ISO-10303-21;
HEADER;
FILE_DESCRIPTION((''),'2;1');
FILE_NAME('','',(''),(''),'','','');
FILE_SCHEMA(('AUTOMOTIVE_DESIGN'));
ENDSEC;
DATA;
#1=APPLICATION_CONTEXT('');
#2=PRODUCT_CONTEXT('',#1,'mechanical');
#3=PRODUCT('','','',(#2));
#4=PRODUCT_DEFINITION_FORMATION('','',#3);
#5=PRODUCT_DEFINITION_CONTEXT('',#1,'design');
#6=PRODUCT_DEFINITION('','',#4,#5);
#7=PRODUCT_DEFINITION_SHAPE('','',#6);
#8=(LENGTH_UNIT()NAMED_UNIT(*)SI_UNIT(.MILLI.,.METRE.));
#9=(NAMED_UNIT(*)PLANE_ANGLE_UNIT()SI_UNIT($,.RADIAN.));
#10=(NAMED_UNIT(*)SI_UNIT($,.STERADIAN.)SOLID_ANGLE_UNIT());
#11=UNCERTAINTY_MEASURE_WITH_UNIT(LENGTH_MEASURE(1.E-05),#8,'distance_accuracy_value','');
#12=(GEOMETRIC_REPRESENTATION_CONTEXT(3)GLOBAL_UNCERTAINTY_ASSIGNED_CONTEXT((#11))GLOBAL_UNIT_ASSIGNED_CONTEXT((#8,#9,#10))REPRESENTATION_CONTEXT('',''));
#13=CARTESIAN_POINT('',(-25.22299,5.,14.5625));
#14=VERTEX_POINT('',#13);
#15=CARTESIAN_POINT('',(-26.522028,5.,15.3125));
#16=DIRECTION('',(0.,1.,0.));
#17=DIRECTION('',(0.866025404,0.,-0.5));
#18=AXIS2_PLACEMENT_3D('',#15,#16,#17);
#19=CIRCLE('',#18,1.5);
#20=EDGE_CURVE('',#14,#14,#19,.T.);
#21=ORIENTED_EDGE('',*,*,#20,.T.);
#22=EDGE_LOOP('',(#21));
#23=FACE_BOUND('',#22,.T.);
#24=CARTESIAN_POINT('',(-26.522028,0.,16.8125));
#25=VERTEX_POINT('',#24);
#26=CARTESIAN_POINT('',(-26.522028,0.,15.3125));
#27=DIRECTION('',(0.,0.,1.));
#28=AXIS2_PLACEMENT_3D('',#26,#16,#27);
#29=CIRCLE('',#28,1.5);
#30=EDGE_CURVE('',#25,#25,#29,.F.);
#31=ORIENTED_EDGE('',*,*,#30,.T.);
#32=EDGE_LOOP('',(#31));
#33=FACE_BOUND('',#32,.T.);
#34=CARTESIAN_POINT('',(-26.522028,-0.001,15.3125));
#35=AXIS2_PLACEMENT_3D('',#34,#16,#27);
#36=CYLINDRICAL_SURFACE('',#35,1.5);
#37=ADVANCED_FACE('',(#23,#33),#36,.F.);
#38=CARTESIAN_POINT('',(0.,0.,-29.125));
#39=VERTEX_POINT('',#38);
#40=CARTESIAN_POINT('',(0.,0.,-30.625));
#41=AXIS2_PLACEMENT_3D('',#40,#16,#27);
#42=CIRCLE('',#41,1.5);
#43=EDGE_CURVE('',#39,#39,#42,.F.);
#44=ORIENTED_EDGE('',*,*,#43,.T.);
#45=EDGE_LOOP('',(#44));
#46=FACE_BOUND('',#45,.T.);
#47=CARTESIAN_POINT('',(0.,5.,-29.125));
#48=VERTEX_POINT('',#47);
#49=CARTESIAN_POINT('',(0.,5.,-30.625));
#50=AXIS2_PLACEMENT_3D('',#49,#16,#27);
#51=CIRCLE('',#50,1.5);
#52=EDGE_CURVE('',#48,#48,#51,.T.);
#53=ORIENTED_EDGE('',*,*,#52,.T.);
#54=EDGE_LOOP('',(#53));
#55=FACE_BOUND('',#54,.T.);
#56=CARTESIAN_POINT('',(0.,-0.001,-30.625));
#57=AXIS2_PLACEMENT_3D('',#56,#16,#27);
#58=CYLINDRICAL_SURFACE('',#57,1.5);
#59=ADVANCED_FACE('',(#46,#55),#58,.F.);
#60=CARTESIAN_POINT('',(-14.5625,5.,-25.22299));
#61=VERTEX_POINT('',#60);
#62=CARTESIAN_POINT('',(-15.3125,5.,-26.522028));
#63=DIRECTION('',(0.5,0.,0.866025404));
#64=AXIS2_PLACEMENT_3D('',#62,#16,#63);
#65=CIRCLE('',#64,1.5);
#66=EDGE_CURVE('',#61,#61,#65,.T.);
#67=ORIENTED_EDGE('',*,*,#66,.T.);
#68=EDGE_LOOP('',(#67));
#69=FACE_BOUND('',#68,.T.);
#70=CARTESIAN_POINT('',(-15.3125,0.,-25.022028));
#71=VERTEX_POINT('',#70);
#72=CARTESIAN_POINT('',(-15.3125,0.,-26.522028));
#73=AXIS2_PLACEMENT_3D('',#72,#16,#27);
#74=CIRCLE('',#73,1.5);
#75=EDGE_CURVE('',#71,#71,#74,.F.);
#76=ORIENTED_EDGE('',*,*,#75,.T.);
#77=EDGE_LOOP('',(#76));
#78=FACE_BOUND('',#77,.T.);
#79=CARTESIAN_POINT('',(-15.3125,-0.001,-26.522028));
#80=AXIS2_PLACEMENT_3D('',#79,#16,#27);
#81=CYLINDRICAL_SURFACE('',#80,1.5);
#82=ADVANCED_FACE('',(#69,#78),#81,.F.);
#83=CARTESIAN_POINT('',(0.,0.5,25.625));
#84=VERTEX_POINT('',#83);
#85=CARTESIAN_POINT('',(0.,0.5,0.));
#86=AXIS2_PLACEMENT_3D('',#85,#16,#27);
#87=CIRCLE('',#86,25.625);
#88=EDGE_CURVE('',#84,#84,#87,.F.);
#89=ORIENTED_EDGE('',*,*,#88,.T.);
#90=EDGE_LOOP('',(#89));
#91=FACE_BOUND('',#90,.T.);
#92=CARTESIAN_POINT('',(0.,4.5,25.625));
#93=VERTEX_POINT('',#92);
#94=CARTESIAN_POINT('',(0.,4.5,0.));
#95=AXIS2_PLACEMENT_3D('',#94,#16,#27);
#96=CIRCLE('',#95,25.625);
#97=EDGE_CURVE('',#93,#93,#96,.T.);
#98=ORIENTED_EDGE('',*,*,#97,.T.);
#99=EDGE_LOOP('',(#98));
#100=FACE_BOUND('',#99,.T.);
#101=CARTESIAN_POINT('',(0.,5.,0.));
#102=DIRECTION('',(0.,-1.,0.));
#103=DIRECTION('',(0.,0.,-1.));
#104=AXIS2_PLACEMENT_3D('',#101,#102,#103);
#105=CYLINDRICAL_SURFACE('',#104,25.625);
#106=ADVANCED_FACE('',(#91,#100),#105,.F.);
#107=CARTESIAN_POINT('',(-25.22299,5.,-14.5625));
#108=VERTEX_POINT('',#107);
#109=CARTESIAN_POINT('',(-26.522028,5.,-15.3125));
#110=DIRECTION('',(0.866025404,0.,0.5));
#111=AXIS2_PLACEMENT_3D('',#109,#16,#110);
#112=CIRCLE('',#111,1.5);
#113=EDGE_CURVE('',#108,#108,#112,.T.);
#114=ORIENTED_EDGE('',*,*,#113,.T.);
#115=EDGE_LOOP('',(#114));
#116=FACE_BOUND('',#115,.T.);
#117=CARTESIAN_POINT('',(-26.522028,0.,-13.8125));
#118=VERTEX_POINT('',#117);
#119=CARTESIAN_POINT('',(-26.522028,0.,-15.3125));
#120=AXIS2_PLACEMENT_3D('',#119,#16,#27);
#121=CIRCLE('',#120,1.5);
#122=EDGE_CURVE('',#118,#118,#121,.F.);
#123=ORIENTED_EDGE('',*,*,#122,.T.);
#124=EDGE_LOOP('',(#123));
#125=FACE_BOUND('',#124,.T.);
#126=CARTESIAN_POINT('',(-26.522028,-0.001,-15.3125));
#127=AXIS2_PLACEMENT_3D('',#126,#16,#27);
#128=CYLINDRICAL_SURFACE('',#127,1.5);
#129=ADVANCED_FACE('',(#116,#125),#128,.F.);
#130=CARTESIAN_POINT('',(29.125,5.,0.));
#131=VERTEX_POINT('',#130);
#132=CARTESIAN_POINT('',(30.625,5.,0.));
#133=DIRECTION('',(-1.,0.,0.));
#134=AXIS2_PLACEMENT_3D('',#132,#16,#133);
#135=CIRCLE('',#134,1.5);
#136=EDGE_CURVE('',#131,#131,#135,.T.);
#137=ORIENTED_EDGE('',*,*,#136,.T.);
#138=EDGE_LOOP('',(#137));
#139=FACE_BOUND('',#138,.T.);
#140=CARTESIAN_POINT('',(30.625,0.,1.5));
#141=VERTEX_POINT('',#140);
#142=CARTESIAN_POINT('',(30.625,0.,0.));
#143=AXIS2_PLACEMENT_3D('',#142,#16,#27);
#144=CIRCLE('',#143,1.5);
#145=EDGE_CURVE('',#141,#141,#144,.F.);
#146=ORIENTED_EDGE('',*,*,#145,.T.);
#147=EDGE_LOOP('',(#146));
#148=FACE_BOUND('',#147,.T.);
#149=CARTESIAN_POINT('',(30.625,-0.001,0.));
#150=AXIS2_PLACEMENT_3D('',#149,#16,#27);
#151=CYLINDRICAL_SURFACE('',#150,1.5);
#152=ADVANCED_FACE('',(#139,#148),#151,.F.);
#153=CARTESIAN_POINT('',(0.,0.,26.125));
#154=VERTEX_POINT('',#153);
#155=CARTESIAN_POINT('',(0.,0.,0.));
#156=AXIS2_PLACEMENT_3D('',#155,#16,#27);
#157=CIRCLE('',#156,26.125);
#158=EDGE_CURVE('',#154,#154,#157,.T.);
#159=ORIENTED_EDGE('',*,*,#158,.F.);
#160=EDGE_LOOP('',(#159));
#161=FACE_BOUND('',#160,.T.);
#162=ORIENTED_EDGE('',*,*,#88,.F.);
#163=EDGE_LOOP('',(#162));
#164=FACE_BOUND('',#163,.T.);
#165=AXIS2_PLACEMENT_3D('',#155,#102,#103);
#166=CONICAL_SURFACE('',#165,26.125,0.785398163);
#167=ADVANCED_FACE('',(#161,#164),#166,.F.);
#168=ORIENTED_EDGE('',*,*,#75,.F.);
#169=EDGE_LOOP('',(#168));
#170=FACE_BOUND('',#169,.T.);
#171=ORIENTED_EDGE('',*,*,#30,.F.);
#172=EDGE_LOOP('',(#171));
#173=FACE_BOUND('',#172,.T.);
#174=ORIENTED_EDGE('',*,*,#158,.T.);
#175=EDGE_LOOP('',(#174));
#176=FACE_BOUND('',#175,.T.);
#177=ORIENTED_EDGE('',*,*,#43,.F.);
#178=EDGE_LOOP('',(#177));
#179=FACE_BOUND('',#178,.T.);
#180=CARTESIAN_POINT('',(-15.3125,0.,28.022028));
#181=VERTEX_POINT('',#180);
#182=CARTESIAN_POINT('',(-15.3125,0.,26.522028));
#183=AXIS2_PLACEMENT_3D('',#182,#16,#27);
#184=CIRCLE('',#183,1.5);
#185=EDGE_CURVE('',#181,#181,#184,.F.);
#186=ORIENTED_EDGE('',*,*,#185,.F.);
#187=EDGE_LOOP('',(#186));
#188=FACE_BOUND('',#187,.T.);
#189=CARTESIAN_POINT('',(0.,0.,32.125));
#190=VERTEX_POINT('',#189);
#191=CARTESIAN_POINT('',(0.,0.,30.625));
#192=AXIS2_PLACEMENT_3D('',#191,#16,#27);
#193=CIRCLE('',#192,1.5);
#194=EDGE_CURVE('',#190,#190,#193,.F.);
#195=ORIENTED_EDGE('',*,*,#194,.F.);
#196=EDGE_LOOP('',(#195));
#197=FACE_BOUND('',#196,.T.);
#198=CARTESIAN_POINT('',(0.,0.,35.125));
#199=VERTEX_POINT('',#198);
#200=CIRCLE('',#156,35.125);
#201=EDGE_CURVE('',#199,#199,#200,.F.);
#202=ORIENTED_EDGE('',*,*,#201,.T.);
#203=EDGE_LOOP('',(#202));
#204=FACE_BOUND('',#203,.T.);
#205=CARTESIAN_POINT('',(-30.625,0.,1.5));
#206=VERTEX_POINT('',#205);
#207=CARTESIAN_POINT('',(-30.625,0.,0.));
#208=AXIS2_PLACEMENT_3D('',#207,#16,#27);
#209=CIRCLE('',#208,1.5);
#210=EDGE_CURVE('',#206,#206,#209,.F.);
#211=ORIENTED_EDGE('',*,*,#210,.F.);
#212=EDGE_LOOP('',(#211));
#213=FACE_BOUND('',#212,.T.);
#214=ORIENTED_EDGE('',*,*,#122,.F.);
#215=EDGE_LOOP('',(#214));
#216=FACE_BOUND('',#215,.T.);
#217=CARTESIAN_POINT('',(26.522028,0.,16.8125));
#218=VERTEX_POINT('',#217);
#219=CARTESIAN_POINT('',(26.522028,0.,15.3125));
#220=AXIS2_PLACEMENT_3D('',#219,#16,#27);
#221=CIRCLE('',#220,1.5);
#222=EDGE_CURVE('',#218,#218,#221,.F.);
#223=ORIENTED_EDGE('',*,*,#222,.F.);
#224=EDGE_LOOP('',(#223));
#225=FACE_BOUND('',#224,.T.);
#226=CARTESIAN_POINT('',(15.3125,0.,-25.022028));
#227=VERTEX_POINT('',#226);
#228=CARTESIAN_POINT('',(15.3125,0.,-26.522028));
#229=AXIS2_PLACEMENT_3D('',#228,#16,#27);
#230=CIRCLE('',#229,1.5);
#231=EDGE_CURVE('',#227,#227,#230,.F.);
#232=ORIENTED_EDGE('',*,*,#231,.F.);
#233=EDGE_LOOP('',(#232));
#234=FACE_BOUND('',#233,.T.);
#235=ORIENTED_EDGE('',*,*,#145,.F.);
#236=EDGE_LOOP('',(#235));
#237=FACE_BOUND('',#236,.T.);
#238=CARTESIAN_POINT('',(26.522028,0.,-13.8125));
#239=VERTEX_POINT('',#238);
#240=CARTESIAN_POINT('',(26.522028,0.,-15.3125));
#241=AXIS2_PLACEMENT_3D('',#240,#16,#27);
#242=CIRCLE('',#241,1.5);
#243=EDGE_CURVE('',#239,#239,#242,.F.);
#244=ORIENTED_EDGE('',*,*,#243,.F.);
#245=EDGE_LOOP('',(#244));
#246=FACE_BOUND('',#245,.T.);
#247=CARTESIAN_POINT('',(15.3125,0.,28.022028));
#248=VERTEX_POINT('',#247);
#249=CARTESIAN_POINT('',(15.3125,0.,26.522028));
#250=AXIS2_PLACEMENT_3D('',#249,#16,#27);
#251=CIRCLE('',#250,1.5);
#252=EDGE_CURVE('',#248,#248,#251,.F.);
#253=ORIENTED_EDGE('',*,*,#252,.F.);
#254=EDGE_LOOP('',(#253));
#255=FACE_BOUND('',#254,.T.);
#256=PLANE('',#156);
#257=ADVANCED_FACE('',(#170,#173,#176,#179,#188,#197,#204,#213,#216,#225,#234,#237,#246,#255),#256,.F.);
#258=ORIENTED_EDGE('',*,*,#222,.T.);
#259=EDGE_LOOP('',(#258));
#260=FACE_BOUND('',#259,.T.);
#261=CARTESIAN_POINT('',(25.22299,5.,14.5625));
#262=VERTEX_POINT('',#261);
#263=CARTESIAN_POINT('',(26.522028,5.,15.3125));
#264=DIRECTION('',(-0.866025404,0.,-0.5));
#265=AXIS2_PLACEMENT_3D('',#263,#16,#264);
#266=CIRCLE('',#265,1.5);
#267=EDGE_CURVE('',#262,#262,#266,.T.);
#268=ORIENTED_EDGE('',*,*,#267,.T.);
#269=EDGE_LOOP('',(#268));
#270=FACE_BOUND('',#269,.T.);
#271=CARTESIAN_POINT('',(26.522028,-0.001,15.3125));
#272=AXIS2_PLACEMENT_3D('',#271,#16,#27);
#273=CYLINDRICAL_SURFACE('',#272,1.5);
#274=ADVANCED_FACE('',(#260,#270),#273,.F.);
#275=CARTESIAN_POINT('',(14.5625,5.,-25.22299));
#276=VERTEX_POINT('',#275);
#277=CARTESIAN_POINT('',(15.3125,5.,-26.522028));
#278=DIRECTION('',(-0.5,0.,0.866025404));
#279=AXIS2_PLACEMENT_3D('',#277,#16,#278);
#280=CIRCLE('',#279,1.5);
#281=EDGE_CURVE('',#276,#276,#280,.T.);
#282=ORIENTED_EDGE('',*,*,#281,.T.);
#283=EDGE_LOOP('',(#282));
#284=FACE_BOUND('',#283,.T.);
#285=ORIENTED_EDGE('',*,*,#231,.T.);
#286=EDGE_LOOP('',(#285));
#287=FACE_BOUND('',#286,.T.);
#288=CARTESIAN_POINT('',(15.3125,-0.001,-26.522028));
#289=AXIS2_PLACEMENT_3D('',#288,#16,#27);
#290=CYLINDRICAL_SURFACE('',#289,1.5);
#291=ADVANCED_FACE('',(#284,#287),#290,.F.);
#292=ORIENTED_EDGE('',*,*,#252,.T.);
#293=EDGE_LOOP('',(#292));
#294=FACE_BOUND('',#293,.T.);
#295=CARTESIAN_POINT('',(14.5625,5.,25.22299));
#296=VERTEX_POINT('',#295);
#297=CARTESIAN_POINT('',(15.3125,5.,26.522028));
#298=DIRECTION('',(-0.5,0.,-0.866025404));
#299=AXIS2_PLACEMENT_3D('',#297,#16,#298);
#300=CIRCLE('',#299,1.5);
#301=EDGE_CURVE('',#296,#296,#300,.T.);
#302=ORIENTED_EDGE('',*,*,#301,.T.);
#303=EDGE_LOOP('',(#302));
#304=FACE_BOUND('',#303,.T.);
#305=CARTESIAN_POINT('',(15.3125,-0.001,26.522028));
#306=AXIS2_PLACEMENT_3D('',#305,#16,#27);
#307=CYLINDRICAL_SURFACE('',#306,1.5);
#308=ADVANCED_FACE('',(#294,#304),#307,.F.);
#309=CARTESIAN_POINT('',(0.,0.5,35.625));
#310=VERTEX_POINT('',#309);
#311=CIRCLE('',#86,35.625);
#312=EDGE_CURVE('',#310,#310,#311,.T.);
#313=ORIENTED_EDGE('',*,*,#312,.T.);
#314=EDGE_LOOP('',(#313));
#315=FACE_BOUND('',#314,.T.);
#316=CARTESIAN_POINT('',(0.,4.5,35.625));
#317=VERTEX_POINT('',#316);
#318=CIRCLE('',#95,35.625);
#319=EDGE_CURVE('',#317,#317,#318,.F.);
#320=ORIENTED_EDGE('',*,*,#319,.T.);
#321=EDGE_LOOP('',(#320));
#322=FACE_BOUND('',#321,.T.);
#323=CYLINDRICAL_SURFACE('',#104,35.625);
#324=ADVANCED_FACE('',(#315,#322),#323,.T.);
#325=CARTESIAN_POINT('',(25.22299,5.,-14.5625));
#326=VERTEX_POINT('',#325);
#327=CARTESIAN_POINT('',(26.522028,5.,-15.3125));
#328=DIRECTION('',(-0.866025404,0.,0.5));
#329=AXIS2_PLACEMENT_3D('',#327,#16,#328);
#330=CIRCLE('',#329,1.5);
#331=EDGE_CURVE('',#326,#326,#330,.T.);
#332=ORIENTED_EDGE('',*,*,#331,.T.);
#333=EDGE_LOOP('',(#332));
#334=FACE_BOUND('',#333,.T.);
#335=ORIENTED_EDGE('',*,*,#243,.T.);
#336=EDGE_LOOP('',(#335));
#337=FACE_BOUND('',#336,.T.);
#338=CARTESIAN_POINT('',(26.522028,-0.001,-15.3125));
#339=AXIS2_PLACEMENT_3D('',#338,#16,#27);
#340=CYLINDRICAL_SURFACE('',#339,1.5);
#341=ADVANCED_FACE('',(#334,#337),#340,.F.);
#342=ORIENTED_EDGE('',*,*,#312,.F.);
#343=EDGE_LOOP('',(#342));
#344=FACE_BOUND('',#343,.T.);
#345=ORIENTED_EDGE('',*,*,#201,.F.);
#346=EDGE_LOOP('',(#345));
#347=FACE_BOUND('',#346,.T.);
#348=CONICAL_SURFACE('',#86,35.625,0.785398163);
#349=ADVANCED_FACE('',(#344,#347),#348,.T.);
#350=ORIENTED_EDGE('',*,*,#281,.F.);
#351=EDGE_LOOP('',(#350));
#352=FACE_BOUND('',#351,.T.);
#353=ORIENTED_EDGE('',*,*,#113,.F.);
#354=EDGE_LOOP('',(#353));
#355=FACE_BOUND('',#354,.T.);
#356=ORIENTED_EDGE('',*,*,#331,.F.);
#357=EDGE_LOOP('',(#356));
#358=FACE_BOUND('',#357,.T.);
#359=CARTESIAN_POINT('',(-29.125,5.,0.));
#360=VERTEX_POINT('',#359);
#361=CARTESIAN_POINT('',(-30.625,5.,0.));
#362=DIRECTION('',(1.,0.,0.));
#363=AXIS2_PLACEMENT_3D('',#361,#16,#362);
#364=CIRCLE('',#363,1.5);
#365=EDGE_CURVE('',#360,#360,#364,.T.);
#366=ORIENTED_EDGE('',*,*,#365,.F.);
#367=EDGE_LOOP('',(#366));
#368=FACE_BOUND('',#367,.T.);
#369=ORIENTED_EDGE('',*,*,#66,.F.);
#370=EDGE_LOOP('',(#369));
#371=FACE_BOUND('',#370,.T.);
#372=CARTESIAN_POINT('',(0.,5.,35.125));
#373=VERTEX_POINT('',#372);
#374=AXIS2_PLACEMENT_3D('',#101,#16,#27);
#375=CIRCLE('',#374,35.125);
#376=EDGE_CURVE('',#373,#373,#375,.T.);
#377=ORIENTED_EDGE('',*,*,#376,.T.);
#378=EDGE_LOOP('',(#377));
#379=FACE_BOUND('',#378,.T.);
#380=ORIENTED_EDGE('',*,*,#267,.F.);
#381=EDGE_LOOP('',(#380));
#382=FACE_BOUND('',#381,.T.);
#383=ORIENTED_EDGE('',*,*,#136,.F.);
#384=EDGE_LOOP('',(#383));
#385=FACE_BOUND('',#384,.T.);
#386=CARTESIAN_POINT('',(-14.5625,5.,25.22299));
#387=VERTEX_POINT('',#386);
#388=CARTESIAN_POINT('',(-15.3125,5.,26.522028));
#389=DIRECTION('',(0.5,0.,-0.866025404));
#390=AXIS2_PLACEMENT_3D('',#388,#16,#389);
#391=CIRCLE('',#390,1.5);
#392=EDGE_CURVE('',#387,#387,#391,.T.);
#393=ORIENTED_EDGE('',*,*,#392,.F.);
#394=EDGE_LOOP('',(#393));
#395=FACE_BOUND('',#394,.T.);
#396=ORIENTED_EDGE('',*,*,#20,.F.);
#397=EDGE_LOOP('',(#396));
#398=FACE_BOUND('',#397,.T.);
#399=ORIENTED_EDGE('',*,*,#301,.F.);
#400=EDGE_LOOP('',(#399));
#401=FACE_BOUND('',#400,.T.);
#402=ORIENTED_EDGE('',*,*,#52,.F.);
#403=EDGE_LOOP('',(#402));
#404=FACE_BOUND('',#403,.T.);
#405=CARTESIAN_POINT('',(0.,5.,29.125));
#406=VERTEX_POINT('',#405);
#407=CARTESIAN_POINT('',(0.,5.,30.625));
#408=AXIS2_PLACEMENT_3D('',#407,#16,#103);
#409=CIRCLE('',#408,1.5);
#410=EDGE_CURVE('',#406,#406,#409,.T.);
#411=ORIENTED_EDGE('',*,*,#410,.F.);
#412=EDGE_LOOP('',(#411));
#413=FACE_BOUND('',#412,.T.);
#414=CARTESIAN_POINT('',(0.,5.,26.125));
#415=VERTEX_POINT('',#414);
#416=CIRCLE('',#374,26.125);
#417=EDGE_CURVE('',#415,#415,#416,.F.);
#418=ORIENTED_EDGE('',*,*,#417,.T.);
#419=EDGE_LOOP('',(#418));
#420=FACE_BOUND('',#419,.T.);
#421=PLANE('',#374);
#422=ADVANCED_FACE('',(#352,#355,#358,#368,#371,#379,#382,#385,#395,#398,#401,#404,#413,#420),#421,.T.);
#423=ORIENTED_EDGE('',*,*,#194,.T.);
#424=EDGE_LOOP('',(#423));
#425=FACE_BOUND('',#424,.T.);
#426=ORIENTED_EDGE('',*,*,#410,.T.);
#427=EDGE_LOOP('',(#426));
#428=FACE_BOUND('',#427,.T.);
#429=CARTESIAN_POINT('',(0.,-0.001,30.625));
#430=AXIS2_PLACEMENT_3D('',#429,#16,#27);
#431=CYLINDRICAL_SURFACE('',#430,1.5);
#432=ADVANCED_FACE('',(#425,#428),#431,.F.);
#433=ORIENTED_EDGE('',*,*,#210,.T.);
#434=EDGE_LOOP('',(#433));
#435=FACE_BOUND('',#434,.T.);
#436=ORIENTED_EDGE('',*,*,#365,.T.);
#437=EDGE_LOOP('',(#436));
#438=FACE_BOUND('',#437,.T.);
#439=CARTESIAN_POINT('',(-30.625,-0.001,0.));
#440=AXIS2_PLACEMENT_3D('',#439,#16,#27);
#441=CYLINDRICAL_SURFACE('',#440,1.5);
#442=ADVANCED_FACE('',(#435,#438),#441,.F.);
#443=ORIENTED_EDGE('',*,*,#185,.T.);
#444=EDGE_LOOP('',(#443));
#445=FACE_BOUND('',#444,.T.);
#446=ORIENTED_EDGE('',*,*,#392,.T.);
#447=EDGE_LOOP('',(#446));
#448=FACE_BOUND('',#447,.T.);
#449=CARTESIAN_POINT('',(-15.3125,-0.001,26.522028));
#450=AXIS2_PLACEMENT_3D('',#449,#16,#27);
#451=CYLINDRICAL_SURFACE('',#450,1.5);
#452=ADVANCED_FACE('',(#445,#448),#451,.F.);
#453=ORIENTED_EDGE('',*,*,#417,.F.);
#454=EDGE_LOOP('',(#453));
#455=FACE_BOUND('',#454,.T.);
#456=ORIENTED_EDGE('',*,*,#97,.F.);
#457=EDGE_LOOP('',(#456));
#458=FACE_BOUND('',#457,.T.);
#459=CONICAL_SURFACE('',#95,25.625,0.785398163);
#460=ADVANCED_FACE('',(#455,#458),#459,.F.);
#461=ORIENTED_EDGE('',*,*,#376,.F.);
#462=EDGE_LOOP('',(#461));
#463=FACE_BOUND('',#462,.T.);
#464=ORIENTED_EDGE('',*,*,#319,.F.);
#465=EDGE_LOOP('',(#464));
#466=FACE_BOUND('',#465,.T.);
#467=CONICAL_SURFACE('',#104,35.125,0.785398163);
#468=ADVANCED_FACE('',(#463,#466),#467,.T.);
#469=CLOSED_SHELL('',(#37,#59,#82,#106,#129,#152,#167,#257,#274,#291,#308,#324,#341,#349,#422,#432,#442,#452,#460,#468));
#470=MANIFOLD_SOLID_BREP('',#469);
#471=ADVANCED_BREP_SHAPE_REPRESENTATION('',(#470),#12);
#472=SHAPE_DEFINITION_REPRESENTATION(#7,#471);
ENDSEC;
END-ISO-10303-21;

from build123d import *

# Parameters (mm, degrees)
SKETCH3_R           = 35.625
SKETCH3_R_2         = 25.625
BOSS_EXTRUDE1_DEPTH = 5
CUT_EXTRUDE1_REACH  = 52.629
SKETCH4_R           = 1.5
CIRPATTERN1_COUNT   = 12
CHAMFER1_SIZE       = 0.5


with BuildPart() as part:
    # Sketch3 → Boss-Extrude1 (new body)
    with BuildSketch(Plane(origin=(0, 0, 0), x_dir=(1, 0, 0), z_dir=(0, 1, 0))):
        with Locations(Location((0, 0, 0), (0, 0, 270))):
            Circle(SKETCH3_R)
        with Locations(Location((0, 0, 0), (0, 0, 270))):
            Circle(SKETCH3_R_2, mode=Mode.SUBTRACT)
    extrude(amount=BOSS_EXTRUDE1_DEPTH)

    # Sketch4 → Cut-Extrude1 (cut, up to next)
    with BuildSketch(Plane(origin=(0, 5, 0), x_dir=(1, 0, 0), z_dir=(0, 1, 0)), mode=Mode.PRIVATE) as cut_extrude1_sk1:
        with Locations(Location((0, 30.625, 0), (0, 0, 270))):
            Circle(SKETCH4_R)
    cut_extrude1_tool1 = extrude(cut_extrude1_sk1.sketch, amount=-CUT_EXTRUDE1_REACH, mode=Mode.PRIVATE) & part.part
    cut_extrude1 = cut_extrude1_tool1.solids().sort_by_distance((0, 5, -30.625))[0]
    add(cut_extrude1, mode=Mode.SUBTRACT)

    # CirPattern1: Cut-Extrude1 ×12 about axis
    cirpattern1_axis = Axis((0, 0, 0), (0, 1, 0))
    for i in range(1, CIRPATTERN1_COUNT):
        add(cut_extrude1.rotate(cirpattern1_axis, i * 360 / CIRPATTERN1_COUNT), mode=Mode.SUBTRACT)

    # Chamfer1
    chamfer1_edges = [part.edges().sort_by_distance(p)[0] for p in [
        (0, 0, -35.625),
        (0, 5, -35.625),
        (0, 0, -25.625),
        (0, 5, -25.625),
    ]]
    chamfer(chamfer1_edges, length=CHAMFER1_SIZE)


solid = part.part
